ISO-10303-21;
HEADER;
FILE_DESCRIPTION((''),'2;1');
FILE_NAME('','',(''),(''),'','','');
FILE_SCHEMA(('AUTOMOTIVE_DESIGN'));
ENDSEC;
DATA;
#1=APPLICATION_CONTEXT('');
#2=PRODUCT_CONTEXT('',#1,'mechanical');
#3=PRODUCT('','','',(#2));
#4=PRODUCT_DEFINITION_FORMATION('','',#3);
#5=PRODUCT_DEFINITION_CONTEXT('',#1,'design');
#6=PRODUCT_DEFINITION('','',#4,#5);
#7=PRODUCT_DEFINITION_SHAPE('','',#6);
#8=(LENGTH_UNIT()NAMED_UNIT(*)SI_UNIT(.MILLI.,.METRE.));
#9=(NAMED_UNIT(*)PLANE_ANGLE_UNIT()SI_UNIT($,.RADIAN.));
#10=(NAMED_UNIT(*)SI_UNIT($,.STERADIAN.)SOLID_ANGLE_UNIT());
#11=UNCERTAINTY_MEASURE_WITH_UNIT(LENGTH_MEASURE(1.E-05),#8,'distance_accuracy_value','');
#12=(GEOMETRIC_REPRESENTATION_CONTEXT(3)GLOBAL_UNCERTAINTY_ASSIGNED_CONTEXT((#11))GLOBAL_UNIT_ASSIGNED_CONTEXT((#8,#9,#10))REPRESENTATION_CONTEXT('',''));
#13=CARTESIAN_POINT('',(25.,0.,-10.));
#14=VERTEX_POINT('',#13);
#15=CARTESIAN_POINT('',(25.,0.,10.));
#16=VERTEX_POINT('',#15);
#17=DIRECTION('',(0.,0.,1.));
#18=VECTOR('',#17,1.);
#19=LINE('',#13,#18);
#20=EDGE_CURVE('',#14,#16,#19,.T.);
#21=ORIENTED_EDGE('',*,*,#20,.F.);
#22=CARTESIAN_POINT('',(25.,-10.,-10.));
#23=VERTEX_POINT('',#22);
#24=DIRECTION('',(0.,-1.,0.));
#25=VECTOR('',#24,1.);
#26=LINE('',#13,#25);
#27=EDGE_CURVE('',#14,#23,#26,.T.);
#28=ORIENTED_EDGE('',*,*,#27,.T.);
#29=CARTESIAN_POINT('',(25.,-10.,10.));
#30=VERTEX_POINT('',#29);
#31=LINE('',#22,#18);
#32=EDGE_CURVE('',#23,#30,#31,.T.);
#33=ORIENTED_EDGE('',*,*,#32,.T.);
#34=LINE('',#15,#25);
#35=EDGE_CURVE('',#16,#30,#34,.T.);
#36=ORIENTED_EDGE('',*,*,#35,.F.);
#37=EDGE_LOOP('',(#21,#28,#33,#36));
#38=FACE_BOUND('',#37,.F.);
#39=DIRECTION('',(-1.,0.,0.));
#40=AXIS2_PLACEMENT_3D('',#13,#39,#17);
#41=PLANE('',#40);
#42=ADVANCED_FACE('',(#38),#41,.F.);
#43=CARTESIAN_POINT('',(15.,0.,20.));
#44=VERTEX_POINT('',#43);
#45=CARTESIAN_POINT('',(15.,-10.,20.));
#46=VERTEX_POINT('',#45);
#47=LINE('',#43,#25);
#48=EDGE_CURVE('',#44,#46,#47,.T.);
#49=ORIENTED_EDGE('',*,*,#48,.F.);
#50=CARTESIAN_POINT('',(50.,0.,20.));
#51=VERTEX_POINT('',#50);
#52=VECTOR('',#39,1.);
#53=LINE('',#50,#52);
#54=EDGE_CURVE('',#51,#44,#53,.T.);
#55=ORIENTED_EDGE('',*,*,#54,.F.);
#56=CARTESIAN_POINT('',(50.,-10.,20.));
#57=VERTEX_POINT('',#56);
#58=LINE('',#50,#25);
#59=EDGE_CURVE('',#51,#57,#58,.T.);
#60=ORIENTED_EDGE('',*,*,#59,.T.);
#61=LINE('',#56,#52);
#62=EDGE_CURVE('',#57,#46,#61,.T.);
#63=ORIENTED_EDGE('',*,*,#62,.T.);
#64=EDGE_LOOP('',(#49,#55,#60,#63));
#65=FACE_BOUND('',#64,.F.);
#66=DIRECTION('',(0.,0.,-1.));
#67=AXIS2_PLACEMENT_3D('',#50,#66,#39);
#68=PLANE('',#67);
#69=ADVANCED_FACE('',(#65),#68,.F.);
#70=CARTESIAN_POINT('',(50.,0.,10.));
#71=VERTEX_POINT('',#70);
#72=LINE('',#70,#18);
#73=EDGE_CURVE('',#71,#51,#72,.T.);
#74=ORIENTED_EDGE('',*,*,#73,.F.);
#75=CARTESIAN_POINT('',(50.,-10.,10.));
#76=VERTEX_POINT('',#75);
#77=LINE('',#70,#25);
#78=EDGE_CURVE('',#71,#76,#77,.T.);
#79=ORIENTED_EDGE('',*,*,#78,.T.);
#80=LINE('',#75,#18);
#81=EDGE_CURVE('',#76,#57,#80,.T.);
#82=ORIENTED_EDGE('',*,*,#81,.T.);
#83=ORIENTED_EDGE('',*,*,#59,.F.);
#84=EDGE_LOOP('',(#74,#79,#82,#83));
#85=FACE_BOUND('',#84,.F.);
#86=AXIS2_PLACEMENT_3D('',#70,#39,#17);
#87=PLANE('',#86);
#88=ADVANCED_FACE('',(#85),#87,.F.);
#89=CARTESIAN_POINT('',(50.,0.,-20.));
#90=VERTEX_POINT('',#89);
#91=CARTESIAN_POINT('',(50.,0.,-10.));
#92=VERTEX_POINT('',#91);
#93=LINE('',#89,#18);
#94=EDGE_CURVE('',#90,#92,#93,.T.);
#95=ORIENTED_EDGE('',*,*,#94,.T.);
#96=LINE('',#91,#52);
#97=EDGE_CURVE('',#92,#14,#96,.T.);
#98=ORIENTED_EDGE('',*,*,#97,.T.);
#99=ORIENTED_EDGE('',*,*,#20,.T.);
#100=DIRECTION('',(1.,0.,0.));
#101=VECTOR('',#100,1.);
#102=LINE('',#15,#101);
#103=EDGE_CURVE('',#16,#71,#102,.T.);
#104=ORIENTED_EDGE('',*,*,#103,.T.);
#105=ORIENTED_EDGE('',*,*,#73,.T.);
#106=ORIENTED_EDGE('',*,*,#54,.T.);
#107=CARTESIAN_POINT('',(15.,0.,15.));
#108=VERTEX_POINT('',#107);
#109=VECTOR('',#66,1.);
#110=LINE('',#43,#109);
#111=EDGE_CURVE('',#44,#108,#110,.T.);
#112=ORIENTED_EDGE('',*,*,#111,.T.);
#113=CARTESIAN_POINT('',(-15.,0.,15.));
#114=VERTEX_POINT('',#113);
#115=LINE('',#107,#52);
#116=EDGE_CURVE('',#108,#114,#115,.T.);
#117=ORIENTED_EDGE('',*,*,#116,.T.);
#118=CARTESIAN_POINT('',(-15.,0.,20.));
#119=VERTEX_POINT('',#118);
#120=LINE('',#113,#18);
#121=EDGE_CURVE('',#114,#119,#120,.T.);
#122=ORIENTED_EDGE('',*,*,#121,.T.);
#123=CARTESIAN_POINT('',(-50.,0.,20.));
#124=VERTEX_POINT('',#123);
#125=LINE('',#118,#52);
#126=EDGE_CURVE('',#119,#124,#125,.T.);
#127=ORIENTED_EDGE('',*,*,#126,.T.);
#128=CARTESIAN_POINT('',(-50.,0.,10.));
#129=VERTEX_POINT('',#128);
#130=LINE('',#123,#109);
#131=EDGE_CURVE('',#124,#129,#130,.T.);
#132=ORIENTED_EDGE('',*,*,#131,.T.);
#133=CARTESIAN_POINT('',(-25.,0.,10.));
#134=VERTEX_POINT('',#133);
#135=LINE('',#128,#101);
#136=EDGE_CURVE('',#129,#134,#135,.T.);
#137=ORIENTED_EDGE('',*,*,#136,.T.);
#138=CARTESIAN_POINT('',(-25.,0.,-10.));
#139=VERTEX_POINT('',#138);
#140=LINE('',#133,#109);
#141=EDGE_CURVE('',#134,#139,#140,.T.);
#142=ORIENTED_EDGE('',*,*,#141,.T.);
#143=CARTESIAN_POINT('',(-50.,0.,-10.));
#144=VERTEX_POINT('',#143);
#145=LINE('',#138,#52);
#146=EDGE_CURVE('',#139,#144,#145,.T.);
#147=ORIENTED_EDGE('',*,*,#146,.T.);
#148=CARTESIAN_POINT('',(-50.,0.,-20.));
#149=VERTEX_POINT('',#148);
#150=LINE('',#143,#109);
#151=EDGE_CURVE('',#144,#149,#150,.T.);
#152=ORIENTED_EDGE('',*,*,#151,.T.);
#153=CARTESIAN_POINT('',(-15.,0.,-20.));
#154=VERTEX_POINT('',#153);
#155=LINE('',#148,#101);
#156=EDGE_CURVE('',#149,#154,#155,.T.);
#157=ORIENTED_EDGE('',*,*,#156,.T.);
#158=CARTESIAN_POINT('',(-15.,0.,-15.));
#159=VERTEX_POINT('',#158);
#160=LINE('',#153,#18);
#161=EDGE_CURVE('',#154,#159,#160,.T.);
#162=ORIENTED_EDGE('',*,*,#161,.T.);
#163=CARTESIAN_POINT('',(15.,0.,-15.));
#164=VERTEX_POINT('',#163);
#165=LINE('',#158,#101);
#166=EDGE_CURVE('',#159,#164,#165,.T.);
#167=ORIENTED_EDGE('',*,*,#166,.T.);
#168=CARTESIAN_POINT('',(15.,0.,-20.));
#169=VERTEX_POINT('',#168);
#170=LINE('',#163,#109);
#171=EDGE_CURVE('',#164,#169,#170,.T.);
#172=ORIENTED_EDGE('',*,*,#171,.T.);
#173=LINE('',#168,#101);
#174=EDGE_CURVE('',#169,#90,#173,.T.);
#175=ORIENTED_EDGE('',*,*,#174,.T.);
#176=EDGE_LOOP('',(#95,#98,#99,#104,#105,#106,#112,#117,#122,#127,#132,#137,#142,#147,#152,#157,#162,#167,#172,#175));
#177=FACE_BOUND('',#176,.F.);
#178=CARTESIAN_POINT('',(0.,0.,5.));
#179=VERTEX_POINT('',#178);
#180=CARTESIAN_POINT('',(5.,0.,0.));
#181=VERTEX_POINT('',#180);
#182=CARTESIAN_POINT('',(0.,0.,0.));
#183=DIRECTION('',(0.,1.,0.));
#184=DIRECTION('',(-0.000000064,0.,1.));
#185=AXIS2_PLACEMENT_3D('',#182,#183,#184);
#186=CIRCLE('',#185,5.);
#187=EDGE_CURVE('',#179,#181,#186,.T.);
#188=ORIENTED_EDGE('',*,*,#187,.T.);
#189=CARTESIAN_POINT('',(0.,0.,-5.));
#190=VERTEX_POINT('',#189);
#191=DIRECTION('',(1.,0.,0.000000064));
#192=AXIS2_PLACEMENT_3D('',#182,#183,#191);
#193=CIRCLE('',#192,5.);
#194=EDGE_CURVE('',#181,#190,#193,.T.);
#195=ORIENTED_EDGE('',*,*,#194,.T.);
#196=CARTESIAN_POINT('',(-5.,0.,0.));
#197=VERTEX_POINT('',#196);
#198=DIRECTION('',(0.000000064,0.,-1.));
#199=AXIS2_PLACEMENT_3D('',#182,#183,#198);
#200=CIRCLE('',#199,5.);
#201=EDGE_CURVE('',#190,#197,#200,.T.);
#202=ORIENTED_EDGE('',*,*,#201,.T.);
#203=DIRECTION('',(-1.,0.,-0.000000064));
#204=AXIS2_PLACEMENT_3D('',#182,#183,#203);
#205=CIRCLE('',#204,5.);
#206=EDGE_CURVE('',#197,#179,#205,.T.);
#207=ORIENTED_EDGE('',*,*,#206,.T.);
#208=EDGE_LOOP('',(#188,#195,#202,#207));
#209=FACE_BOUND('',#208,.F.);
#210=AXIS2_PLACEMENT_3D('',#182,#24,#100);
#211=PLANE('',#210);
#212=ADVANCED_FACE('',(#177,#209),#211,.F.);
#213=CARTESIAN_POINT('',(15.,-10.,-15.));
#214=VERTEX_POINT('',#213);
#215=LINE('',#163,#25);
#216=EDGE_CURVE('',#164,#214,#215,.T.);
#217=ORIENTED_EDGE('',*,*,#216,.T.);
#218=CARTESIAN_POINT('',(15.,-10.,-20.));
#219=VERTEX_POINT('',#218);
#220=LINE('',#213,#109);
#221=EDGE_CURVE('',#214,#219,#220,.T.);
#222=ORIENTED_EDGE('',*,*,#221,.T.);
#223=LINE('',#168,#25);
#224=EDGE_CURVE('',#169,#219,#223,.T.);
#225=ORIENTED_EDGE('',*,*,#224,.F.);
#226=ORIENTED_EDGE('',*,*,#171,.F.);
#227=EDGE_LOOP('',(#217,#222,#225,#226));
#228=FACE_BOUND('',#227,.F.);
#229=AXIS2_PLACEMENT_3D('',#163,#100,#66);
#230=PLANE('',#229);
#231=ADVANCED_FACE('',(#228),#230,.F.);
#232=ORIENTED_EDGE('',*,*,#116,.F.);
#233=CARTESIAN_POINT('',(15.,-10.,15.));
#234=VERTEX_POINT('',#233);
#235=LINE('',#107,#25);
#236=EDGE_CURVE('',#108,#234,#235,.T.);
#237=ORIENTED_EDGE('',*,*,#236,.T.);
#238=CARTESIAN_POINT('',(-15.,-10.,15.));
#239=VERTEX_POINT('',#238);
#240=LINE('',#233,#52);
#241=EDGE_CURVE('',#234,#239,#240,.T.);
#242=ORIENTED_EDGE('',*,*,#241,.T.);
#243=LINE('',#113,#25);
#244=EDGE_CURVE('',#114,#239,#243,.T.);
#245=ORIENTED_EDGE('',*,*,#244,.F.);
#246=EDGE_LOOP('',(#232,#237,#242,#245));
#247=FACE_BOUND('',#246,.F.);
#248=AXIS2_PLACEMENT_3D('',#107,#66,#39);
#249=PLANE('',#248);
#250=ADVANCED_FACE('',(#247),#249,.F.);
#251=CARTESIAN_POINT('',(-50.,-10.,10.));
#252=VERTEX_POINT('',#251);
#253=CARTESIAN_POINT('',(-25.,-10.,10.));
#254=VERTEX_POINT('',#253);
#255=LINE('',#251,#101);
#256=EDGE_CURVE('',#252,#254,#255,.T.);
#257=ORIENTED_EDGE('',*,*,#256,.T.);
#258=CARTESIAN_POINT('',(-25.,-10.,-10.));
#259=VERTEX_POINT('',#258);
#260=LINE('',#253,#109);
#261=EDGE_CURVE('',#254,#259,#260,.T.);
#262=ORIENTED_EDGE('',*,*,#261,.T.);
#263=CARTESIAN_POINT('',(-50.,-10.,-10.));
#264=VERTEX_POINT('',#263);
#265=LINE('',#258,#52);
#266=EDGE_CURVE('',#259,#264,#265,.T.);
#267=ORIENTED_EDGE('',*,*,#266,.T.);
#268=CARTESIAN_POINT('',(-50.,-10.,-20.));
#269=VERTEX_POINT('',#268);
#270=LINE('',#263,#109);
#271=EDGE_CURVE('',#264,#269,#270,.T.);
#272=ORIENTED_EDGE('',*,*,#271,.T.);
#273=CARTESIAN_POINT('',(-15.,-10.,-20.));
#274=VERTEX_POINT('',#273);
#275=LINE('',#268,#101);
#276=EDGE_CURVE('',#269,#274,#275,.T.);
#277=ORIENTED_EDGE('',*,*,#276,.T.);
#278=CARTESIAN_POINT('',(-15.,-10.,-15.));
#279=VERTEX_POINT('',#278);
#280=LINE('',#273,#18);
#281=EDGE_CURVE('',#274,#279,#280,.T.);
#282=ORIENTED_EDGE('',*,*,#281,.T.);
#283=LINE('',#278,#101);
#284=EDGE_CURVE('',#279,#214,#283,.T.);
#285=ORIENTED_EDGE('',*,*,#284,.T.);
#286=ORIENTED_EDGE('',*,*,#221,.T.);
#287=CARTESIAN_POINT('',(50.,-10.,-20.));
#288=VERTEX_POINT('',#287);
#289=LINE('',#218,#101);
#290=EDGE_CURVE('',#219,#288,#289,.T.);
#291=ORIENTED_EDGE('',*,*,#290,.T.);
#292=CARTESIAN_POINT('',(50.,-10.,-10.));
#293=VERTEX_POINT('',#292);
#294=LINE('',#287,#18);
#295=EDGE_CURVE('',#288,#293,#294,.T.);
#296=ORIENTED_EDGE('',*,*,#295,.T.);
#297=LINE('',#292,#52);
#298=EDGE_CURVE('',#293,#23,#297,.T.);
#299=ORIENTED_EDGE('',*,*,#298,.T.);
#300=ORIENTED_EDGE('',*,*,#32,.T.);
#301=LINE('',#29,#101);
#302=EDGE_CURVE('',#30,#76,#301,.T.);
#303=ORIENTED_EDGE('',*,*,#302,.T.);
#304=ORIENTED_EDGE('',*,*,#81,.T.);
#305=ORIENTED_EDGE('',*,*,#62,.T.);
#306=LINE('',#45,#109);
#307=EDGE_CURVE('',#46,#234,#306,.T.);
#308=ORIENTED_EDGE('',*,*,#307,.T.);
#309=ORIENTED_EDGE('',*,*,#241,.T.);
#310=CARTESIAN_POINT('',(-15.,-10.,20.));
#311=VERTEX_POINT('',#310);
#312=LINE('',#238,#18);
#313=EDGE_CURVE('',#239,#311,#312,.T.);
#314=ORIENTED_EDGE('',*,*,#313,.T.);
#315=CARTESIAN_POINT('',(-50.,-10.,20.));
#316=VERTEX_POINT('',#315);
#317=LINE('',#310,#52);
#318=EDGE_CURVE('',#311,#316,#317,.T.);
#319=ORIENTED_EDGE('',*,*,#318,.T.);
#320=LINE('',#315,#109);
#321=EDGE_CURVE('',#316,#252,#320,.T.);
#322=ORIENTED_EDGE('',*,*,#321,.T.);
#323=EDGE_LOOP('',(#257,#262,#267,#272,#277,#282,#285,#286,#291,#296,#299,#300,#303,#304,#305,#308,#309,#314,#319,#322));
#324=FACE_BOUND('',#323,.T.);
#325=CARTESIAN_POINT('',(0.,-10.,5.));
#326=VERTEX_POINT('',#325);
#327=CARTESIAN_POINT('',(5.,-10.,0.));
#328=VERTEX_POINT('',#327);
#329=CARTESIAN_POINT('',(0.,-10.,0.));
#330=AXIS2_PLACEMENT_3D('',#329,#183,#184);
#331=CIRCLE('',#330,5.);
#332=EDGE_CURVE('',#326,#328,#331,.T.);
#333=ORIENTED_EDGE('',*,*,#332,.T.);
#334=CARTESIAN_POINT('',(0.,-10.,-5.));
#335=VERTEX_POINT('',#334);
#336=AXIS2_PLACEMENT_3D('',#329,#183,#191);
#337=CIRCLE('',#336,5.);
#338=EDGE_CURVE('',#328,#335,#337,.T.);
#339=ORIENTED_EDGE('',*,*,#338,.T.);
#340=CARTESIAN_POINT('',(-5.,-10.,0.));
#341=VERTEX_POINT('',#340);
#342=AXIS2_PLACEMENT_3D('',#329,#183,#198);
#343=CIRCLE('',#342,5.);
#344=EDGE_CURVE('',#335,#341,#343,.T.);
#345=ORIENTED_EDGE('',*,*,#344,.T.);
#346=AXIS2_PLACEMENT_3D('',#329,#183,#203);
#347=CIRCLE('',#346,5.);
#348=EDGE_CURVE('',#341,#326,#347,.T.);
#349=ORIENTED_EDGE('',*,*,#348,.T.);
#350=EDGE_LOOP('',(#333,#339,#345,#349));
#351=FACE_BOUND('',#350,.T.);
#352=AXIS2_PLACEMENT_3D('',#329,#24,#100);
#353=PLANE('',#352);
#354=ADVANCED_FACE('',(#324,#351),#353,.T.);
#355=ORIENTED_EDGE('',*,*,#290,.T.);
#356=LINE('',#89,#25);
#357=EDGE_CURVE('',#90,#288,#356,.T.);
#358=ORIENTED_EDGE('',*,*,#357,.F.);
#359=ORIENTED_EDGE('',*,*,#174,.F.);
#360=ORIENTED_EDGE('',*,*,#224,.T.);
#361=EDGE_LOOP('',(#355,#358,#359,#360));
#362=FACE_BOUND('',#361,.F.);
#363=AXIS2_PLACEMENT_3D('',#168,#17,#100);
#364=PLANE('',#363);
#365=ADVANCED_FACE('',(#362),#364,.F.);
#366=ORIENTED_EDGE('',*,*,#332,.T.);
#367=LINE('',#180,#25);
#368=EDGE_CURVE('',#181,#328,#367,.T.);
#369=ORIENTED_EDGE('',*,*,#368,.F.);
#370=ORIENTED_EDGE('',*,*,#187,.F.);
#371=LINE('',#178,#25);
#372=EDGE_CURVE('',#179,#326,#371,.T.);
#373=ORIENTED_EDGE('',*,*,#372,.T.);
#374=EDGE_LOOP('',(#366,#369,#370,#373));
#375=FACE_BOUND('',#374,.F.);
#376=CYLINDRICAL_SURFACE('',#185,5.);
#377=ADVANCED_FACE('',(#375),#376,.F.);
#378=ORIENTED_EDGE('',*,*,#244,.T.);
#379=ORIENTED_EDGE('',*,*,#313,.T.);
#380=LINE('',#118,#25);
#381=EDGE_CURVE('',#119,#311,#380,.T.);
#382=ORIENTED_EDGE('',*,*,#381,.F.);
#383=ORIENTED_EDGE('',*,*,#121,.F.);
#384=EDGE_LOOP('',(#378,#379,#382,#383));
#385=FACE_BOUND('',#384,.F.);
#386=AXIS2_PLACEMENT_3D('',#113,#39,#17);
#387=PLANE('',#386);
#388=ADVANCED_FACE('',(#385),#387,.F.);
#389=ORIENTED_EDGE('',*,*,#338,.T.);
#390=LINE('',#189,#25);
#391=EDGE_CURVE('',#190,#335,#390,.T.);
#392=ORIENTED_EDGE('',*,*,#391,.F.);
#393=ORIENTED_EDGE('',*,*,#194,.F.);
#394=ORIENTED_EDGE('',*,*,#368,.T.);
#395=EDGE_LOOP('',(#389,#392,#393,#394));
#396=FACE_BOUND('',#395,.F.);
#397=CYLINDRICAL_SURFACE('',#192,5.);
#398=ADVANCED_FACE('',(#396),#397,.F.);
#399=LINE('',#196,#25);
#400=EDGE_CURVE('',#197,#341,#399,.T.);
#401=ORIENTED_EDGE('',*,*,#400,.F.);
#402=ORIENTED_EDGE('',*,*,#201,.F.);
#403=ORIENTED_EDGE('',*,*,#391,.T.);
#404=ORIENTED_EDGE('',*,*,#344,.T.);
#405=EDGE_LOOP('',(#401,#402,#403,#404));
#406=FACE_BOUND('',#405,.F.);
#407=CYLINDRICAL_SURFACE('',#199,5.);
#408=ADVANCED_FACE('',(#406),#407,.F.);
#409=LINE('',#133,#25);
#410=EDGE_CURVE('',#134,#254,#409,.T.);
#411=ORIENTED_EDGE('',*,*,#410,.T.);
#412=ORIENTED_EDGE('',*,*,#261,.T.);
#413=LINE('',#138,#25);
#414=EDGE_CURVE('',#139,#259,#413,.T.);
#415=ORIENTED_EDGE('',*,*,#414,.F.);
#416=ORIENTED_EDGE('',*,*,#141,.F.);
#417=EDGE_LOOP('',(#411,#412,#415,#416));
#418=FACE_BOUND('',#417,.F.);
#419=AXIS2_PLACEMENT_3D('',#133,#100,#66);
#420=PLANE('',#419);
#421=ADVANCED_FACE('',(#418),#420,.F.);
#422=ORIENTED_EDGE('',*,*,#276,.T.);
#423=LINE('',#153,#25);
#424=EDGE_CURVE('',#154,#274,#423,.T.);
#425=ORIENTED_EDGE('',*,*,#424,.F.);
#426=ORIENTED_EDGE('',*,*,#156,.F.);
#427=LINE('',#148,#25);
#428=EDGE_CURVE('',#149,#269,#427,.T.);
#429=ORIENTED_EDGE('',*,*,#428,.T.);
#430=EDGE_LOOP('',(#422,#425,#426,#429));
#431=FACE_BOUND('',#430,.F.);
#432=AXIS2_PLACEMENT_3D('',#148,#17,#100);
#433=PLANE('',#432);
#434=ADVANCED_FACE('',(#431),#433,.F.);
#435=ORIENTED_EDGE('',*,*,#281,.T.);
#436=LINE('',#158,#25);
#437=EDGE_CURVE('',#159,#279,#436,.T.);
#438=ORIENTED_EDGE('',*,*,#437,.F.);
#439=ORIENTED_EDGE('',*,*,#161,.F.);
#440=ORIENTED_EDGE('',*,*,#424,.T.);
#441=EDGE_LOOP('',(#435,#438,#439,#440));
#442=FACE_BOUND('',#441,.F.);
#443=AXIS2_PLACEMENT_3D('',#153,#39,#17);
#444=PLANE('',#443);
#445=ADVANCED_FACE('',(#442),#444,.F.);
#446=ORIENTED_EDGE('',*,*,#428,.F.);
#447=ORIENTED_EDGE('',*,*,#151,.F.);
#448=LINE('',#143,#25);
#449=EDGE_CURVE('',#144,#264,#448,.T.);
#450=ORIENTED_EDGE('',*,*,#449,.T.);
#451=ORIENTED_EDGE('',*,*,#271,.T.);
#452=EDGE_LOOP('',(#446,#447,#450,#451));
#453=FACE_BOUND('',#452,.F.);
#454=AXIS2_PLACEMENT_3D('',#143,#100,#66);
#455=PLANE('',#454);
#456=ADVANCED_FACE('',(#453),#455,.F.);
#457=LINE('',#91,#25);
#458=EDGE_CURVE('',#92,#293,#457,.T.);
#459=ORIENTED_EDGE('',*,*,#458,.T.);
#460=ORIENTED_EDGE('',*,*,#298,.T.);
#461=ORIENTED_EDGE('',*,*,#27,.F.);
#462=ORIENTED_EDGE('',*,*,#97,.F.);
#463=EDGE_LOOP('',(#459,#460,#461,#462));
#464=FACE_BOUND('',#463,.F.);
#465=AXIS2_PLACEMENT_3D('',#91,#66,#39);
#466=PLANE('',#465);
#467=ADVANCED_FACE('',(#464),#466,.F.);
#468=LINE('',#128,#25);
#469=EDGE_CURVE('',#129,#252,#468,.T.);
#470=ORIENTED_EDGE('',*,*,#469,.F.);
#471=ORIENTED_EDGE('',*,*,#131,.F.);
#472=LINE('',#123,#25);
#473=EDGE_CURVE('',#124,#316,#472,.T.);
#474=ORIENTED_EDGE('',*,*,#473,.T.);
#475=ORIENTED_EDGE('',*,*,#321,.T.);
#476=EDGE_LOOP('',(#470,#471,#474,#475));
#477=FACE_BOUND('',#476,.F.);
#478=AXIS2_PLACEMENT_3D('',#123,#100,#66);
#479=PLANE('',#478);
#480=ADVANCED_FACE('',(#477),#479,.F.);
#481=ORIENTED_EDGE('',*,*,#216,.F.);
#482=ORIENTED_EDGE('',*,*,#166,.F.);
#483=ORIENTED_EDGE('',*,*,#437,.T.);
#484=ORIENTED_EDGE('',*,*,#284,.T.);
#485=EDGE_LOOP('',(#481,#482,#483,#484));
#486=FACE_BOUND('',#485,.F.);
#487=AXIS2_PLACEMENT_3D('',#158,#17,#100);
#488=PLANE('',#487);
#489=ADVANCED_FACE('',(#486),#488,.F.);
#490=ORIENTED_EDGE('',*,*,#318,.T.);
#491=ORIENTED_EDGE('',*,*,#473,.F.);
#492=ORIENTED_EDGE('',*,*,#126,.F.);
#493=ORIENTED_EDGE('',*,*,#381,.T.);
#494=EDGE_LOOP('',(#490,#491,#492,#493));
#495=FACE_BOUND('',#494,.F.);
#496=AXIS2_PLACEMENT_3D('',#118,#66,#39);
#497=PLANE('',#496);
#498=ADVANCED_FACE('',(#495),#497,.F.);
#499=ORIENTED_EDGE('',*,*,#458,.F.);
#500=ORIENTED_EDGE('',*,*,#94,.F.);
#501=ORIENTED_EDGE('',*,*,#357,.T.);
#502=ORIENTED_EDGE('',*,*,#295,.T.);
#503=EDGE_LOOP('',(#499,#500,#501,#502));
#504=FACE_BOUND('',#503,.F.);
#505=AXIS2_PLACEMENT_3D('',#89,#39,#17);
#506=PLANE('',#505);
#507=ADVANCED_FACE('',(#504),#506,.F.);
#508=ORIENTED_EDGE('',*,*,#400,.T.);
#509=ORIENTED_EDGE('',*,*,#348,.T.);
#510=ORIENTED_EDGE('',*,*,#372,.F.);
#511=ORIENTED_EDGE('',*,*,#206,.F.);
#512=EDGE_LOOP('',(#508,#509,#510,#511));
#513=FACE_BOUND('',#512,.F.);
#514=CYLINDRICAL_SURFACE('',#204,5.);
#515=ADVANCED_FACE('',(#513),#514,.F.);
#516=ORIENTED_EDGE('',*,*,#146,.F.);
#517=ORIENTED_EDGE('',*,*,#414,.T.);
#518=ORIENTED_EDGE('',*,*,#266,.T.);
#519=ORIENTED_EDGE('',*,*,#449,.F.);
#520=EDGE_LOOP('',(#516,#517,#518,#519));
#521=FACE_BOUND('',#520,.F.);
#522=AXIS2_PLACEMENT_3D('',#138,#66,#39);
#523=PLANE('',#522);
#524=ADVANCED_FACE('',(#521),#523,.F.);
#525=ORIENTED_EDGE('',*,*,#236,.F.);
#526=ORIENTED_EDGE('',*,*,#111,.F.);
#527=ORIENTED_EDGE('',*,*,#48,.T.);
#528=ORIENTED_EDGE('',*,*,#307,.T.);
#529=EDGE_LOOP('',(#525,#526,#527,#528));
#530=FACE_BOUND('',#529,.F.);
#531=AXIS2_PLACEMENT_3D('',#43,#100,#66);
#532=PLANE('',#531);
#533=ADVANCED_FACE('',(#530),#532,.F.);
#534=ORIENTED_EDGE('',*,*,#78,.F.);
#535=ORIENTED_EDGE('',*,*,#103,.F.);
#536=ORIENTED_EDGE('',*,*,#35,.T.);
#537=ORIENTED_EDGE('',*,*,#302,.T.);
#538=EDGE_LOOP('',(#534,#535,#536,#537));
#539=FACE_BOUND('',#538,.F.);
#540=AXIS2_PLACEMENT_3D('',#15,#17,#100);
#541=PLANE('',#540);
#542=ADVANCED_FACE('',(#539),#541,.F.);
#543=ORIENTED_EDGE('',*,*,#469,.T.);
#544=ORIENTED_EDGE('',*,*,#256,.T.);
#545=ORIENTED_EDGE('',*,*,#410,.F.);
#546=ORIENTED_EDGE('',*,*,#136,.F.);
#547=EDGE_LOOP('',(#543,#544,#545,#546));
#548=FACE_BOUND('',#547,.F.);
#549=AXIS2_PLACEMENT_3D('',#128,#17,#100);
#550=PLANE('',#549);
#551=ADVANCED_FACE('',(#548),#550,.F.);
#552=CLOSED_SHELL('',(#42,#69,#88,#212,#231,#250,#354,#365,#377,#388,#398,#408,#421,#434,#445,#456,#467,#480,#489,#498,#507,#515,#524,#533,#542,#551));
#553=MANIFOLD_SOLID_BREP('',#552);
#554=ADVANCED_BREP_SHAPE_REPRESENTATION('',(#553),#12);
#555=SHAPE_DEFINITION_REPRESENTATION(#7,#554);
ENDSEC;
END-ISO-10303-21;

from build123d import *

# Parameters (mm, degrees)
F1_DEPTH = 10


with BuildPart() as f1:
    # F0 (on Front) → F1 (new body)
    with BuildSketch(Plane.XZ):
        Polygon((25, -10), (25, 0), (25, 10), (50, 10), (50, 20), (15, 20), (15, 15), (0, 15), (-15, 15), (-15, 20), (-50, 20), (-50, 10), (-25, 10), (-25, 0), (-25, -10), (-50, -10), (-50, -20), (-15, -20), (-15, -15), (0, -15), (15, -15), (15, -20), (50, -20), (50, -10), align=None)
        with BuildLine():
            ThreePointArc((-5, 0), (-3.535534, 3.535534), (0, 5))
            ThreePointArc((0, 5), (3.535534, 3.535534), (5, 0))
            ThreePointArc((5, 0), (3.535534, -3.535534), (0, -5))
            ThreePointArc((0, -5), (-3.535534, -3.535534), (-5, 0))
        make_face(mode=Mode.SUBTRACT)
    extrude(amount=F1_DEPTH)


solid = f1.part
